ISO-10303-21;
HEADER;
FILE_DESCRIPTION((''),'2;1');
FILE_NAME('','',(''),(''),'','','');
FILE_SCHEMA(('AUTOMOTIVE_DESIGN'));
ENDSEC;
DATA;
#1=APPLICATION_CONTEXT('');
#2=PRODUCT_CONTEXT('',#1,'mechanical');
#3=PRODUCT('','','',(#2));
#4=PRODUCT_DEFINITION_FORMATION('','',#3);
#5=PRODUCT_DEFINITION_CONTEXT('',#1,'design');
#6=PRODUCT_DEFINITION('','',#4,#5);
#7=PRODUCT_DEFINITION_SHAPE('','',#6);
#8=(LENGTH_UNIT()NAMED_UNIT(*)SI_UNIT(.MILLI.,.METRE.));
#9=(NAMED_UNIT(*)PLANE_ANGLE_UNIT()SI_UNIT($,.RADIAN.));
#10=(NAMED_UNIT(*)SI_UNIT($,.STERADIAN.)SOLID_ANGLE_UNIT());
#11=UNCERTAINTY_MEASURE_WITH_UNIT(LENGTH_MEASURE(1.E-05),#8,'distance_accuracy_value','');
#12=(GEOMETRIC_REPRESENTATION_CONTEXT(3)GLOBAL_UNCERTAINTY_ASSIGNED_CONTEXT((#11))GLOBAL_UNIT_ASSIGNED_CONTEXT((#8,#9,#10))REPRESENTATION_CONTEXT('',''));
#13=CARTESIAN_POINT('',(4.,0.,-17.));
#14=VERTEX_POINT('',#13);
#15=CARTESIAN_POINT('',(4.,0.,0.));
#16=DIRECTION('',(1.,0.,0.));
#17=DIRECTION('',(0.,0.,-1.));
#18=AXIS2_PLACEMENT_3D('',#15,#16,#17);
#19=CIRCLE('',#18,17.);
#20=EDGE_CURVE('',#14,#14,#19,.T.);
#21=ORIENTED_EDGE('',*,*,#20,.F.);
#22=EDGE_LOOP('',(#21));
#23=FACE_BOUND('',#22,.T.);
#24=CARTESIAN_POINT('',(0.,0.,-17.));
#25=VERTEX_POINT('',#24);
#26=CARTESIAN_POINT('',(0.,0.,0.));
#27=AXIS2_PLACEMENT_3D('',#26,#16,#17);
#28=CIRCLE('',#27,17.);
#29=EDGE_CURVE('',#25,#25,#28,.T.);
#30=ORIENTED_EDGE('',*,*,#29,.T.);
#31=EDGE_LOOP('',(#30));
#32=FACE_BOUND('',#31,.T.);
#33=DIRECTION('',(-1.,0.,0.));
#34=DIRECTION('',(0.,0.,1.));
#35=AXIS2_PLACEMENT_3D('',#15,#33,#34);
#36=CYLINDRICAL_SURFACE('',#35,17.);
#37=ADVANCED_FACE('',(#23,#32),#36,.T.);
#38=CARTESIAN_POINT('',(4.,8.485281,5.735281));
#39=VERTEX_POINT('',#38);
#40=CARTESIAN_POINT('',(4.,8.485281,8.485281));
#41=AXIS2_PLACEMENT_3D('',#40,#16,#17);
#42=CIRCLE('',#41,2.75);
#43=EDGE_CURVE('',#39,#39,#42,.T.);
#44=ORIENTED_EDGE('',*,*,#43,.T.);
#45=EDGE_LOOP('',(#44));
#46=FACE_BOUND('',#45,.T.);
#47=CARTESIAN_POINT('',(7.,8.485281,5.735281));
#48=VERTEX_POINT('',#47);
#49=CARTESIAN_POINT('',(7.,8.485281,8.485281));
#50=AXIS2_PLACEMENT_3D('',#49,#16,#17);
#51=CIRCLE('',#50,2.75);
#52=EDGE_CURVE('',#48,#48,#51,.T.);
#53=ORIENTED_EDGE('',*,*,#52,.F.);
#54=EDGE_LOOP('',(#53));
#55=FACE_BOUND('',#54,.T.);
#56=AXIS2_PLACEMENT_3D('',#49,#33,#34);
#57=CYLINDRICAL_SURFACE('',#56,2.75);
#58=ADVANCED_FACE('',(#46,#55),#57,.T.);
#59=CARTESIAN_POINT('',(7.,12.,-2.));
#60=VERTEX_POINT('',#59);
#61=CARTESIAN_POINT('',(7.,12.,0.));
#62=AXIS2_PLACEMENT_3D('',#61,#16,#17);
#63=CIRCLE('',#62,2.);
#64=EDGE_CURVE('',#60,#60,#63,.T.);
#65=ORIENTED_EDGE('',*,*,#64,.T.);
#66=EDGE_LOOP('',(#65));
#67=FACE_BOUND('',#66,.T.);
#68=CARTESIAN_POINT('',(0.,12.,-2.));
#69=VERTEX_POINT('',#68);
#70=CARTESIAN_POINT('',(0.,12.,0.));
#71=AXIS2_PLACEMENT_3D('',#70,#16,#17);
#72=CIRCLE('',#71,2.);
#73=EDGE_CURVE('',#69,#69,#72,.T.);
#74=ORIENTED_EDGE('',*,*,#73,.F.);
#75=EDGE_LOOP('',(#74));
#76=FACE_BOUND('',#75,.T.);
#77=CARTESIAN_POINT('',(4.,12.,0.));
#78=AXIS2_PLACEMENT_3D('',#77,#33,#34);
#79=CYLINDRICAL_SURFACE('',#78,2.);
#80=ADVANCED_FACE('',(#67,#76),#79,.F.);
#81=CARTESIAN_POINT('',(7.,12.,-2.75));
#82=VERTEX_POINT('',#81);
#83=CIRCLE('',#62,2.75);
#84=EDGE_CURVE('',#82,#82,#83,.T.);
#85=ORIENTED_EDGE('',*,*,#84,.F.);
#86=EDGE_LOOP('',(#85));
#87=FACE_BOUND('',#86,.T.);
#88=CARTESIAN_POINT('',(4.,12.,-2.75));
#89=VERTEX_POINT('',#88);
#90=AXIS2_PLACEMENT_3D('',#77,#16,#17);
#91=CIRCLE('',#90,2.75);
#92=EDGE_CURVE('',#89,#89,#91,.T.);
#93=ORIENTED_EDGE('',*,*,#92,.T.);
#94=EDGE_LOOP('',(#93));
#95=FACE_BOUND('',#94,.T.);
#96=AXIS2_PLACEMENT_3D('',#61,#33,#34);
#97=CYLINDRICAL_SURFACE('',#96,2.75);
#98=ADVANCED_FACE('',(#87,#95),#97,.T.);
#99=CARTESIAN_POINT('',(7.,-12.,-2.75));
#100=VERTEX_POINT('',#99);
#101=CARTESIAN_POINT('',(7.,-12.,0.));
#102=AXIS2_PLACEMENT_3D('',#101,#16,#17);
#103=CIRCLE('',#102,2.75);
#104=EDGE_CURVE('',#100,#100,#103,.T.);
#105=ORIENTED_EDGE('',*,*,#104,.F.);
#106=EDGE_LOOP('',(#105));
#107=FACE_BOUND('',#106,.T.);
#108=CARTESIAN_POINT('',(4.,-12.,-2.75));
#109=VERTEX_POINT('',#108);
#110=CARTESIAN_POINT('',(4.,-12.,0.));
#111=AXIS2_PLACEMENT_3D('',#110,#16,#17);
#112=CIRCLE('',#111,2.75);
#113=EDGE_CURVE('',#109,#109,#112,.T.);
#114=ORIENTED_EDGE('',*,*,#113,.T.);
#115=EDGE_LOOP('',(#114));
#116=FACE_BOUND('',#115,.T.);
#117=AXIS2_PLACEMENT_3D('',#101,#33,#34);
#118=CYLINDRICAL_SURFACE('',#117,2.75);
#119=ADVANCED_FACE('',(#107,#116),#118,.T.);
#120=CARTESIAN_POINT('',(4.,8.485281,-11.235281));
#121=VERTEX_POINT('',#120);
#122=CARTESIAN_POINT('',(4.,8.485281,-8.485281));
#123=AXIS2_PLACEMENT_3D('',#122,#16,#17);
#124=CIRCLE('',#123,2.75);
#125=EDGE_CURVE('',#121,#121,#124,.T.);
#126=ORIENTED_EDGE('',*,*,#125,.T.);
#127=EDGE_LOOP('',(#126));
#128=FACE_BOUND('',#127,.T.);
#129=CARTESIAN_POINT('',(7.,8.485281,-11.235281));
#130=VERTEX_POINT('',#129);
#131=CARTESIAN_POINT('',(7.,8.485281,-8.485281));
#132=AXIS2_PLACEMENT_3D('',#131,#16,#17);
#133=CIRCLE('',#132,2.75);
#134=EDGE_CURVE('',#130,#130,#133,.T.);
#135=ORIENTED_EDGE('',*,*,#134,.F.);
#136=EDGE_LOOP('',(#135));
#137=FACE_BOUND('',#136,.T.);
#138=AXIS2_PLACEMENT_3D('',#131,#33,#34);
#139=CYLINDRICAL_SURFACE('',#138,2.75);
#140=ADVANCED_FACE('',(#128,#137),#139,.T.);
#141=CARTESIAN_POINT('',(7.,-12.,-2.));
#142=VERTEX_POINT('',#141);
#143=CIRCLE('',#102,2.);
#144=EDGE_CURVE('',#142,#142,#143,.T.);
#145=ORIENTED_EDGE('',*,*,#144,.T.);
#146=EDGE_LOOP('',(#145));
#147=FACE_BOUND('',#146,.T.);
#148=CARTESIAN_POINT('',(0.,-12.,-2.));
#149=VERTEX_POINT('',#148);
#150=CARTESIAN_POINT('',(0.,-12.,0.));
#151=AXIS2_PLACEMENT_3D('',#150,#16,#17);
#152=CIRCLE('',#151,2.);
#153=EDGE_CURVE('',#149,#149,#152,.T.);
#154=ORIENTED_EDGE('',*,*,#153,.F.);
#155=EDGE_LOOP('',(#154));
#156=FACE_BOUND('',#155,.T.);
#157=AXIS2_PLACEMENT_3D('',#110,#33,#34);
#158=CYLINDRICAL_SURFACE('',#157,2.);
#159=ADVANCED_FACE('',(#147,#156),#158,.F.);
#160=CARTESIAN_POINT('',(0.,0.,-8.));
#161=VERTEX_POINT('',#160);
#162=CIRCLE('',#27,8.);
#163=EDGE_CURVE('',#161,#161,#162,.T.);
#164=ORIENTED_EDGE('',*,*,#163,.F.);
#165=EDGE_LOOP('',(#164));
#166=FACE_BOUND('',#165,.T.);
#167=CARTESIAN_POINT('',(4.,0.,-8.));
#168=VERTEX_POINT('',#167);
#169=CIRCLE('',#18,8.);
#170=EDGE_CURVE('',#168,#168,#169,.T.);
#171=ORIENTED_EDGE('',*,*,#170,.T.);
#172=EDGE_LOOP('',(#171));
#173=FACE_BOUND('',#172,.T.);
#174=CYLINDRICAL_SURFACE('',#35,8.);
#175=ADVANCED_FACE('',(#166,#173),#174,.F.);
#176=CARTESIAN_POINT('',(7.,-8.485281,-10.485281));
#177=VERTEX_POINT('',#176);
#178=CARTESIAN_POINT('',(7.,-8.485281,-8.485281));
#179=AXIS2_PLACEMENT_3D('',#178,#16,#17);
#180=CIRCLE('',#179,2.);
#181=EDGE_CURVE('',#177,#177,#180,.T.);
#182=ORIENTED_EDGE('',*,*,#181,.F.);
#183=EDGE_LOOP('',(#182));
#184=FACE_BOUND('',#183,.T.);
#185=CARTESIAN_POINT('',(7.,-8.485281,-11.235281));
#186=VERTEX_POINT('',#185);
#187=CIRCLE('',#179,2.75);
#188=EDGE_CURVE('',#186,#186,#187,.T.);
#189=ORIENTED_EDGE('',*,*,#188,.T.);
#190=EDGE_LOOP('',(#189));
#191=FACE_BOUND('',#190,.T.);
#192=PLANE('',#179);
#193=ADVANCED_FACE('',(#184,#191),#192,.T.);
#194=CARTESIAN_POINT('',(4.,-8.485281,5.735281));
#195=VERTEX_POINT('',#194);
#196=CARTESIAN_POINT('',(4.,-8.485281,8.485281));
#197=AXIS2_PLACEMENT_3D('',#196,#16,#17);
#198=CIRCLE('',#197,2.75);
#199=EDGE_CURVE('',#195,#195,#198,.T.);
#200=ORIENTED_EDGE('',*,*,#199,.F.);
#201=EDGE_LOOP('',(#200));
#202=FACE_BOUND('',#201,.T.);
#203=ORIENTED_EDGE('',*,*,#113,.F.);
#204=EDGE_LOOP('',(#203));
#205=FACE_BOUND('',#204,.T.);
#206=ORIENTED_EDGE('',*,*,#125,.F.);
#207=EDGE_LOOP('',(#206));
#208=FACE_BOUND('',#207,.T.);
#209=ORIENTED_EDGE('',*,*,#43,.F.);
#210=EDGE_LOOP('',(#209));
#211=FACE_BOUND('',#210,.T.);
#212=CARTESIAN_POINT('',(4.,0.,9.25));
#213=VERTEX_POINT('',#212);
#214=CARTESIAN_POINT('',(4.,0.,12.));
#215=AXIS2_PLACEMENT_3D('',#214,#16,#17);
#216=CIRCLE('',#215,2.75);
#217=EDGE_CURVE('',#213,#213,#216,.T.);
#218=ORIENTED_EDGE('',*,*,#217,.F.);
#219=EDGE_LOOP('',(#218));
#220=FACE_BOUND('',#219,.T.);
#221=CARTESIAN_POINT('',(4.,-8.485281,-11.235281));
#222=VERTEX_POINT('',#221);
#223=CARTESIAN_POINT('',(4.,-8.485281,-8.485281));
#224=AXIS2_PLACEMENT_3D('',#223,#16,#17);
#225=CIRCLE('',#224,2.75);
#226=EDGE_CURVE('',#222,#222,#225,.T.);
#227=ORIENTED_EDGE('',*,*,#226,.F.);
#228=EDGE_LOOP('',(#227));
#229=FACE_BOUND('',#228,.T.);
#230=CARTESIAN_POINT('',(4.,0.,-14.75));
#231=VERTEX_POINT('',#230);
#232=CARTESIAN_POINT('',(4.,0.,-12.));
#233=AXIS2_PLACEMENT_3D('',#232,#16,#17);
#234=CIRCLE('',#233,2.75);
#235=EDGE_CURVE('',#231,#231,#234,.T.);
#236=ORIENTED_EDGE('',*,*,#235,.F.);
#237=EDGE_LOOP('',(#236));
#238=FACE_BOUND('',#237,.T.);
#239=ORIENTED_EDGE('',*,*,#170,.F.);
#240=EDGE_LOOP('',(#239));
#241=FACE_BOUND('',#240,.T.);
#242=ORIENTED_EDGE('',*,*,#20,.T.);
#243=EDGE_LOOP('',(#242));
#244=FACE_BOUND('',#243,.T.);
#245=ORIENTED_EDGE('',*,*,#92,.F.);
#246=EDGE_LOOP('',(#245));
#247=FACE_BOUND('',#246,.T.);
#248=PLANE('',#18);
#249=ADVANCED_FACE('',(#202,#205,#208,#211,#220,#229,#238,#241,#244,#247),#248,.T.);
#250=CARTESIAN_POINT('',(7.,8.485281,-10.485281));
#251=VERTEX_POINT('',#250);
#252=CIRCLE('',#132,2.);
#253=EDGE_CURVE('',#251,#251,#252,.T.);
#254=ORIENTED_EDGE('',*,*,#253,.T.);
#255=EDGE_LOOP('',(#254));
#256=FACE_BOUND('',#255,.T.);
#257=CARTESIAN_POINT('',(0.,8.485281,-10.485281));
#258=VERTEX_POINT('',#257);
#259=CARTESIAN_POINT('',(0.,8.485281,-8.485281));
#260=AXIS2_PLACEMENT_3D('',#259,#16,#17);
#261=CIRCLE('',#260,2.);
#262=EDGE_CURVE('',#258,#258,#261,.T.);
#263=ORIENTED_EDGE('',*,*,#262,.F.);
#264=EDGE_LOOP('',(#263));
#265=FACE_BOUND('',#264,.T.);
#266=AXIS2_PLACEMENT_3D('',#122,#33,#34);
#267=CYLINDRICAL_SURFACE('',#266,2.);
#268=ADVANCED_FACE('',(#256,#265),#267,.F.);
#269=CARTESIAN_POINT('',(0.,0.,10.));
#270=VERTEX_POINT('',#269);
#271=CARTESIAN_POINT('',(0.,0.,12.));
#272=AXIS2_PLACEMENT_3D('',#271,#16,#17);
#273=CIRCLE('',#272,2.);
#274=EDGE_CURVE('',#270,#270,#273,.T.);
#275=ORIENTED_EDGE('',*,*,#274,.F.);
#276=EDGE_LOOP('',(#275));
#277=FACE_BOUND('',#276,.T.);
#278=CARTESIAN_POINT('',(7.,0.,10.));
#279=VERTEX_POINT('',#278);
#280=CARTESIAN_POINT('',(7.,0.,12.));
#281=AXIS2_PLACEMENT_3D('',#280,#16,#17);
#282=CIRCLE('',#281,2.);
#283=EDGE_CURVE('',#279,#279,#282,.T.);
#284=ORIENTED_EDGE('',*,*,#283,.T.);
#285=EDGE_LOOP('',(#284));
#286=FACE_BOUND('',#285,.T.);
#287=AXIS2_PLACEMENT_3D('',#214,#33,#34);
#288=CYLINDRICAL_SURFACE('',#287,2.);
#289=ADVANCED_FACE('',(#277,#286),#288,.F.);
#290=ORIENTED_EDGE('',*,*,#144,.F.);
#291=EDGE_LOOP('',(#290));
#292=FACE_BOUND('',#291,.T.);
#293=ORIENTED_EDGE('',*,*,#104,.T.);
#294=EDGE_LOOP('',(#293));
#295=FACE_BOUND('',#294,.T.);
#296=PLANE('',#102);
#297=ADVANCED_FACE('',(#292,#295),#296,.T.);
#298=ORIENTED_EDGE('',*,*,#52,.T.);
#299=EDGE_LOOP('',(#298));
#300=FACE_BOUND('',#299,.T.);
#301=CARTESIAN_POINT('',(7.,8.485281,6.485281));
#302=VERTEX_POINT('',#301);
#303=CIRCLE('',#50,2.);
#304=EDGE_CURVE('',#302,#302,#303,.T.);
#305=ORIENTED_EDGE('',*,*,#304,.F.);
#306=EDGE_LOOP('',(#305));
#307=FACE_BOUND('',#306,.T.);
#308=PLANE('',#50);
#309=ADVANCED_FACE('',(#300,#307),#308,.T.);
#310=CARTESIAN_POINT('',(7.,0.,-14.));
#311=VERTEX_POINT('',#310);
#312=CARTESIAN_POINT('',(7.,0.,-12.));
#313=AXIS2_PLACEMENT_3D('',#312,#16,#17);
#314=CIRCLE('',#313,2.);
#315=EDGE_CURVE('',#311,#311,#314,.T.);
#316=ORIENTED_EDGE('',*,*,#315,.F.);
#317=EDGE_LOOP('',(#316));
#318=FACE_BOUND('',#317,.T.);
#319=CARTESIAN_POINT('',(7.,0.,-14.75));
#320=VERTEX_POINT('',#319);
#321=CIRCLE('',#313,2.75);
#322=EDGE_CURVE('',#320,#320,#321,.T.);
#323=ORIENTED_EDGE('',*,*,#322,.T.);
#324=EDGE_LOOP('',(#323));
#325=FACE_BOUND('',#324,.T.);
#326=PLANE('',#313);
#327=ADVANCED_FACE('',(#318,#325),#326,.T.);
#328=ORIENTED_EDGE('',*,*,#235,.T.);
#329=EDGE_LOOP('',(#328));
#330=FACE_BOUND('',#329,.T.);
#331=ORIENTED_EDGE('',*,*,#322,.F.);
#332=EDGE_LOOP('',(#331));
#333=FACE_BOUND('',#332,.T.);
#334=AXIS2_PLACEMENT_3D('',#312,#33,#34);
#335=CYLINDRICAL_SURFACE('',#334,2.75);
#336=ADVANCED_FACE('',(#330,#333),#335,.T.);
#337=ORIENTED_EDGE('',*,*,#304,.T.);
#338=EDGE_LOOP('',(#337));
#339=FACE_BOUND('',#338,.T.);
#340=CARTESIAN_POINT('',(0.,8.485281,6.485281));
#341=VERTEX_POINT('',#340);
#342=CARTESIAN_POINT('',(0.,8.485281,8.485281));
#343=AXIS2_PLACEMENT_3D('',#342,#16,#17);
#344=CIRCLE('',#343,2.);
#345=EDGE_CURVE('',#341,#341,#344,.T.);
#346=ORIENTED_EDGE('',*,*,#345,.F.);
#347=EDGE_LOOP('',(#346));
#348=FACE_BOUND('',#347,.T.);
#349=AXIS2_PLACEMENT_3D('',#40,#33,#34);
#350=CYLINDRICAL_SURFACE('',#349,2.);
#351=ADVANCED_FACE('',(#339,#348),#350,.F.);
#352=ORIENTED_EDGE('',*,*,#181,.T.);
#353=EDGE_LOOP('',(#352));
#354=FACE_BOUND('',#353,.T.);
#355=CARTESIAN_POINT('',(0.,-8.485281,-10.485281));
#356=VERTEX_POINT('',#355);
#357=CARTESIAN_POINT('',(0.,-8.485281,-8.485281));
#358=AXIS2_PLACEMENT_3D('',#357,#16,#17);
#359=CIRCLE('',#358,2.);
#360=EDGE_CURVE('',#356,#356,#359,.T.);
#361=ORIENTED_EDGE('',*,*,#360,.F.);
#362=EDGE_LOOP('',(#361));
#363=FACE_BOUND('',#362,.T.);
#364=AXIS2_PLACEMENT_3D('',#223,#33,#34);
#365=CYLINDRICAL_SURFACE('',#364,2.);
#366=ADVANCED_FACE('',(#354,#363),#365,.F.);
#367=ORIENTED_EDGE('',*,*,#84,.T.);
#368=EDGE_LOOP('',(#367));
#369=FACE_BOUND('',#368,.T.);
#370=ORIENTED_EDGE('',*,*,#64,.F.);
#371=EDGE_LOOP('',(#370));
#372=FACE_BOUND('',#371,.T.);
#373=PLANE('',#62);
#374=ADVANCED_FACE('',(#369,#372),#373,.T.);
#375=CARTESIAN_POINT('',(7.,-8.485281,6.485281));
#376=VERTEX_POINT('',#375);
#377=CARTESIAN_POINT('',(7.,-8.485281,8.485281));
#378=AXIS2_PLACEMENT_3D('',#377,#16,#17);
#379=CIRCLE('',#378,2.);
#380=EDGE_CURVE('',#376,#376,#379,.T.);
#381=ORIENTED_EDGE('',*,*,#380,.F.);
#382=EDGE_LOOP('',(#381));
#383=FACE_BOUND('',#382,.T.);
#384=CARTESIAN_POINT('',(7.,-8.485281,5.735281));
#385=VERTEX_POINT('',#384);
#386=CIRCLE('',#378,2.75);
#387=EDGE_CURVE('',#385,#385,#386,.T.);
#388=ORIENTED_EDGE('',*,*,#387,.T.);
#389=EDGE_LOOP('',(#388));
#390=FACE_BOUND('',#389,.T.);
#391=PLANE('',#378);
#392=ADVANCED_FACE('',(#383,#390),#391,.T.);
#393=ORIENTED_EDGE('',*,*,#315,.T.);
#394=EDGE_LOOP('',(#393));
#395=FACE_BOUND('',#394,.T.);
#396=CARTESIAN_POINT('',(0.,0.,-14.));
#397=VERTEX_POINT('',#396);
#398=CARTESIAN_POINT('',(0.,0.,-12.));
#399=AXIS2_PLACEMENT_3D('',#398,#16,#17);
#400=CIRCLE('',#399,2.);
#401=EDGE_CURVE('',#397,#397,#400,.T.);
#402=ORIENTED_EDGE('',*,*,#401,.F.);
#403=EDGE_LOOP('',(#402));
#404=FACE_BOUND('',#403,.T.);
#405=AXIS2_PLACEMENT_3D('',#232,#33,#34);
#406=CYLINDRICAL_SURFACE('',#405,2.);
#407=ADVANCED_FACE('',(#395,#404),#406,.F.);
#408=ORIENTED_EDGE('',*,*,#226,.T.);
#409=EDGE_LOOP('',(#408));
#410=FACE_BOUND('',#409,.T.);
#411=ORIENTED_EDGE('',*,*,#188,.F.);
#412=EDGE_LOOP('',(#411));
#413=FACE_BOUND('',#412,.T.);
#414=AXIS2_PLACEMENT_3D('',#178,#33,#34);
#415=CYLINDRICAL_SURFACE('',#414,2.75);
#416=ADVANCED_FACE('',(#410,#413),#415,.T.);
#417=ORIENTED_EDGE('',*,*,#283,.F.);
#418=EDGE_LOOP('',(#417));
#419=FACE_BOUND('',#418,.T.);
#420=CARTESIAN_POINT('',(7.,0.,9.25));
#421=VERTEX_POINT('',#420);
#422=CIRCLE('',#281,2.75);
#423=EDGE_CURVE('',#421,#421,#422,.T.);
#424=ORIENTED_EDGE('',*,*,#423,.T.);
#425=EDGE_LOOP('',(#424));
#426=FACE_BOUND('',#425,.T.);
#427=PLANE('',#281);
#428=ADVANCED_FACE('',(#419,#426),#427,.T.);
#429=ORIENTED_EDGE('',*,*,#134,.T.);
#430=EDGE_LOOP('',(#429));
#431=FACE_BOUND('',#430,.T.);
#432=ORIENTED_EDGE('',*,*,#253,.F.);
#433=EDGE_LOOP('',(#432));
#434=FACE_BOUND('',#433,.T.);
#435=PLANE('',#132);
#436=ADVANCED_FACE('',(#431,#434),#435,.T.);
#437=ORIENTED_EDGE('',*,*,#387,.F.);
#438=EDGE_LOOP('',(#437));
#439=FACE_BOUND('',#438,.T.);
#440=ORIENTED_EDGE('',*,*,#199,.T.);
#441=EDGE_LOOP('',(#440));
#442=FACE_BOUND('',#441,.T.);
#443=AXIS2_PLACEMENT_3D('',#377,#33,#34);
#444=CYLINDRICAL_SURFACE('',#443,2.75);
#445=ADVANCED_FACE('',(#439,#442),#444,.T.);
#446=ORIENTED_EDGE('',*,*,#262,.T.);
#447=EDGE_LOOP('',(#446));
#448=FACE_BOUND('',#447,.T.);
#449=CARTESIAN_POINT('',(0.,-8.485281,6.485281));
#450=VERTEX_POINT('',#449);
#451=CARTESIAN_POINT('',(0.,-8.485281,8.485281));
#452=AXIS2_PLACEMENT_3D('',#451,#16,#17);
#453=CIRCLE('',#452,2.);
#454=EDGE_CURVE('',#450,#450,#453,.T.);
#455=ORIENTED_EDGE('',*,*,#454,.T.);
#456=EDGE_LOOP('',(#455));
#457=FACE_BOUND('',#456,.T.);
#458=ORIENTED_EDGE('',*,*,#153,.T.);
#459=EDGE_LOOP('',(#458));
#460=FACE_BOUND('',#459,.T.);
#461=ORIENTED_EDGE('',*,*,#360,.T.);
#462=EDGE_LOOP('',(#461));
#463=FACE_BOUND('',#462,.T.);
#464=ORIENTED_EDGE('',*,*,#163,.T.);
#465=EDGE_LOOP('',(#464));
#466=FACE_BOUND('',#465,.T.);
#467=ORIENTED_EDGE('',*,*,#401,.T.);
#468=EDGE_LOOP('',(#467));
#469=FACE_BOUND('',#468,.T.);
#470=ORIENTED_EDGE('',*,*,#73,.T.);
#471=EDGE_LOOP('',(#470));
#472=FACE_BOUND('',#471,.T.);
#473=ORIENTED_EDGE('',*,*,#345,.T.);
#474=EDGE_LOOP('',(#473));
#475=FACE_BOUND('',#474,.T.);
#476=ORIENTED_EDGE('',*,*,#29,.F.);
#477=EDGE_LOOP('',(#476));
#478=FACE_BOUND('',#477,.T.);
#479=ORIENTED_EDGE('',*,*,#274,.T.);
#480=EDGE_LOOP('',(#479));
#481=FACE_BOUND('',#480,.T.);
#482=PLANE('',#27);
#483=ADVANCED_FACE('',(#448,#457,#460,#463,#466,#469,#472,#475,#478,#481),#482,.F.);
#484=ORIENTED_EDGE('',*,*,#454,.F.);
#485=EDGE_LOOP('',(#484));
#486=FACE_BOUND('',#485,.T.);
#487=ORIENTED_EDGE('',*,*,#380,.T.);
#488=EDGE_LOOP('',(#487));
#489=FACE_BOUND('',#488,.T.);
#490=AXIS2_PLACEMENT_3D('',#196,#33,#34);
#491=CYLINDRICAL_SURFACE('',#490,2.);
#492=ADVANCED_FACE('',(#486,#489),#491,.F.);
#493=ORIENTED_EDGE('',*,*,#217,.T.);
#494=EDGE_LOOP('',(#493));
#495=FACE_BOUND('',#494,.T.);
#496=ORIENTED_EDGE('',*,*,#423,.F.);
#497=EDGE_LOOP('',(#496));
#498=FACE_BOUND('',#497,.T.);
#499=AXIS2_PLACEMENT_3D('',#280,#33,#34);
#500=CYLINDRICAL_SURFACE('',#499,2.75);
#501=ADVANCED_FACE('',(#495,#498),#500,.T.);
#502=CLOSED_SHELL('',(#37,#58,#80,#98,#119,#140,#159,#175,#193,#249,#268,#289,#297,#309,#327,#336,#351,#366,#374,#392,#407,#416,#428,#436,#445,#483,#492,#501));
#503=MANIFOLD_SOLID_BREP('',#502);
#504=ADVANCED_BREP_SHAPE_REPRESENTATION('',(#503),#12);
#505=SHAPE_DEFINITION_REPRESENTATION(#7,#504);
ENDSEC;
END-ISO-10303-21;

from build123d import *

# Parameters (mm, degrees)
SKETCH1_R           = 17
SKETCH1_R_2         = 2
SKETCH1_R_3         = 8
BOSS_EXTRUDE1_DEPTH = 4
SKETCH2_R           = 2.75
SKETCH2_R_2         = 2
BOSS_EXTRUDE2_DEPTH = 3


with BuildPart() as part:
    # Sketch1 → Boss-Extrude1 (new body)
    with BuildSketch(Plane(origin=(0, 0, 0), x_dir=(0, 0, -1), z_dir=(1, 0, 0))):
        Circle(SKETCH1_R)
        with Locations((0, 12)):
            Circle(SKETCH1_R_2, mode=Mode.SUBTRACT)
        with Locations((8.485281374, 8.485281374)):
            Circle(SKETCH1_R_2, mode=Mode.SUBTRACT)
        with Locations((12, 0)):
            Circle(SKETCH1_R_2, mode=Mode.SUBTRACT)
        with Locations((8.485281374, -8.485281374)):
            Circle(SKETCH1_R_2, mode=Mode.SUBTRACT)
        with Locations((0, -12)):
            Circle(SKETCH1_R_2, mode=Mode.SUBTRACT)
        with Locations((-8.485281374, -8.485281374)):
            Circle(SKETCH1_R_2, mode=Mode.SUBTRACT)
        with Locations((-12, 0)):
            Circle(SKETCH1_R_2, mode=Mode.SUBTRACT)
        with Locations((-8.485281374, 8.485281374)):
            Circle(SKETCH1_R_2, mode=Mode.SUBTRACT)
        Circle(SKETCH1_R_3, mode=Mode.SUBTRACT)
    extrude(amount=BOSS_EXTRUDE1_DEPTH)

    # Sketch2 → Boss-Extrude2 (add)
    # profile 1 of 8: a face of its own
    with BuildSketch(Plane(origin=(4, 0, 0), x_dir=(0, 0, -1), z_dir=(1, 0, 0))):
        with Locations((8.485281374, 8.485281374)):
            Circle(SKETCH2_R)
        with Locations((8.485281374, 8.485281374)):
            Circle(SKETCH2_R_2, mode=Mode.SUBTRACT)
    # profile 2 of 8: a face of its own
    with BuildSketch(Plane(origin=(4, 0, 0), x_dir=(0, 0, -1), z_dir=(1, 0, 0))):
        with Locations((12, 0)):
            Circle(SKETCH2_R)
        with Locations((12, 0)):
            Circle(SKETCH2_R_2, mode=Mode.SUBTRACT)
    # profile 3 of 8: a face of its own
    with BuildSketch(Plane(origin=(4, 0, 0), x_dir=(0, 0, -1), z_dir=(1, 0, 0))):
        with Locations((8.485281374, -8.485281374)):
            Circle(SKETCH2_R)
        with Locations((8.485281374, -8.485281374)):
            Circle(SKETCH2_R_2, mode=Mode.SUBTRACT)
    # profile 4 of 8: a face of its own
    with BuildSketch(Plane(origin=(4, 0, 0), x_dir=(0, 0, -1), z_dir=(1, 0, 0))):
        with Locations((0, -12)):
            Circle(SKETCH2_R)
        with Locations((0, -12)):
            Circle(SKETCH2_R_2, mode=Mode.SUBTRACT)
    # profile 5 of 8: a face of its own
    with BuildSketch(Plane(origin=(4, 0, 0), x_dir=(0, 0, -1), z_dir=(1, 0, 0))):
        with Locations((-8.485281374, -8.485281374)):
            Circle(SKETCH2_R)
        with Locations((-8.485281374, -8.485281374)):
            Circle(SKETCH2_R_2, mode=Mode.SUBTRACT)
    # profile 6 of 8: a face of its own
    with BuildSketch(Plane(origin=(4, 0, 0), x_dir=(0, 0, -1), z_dir=(1, 0, 0))):
        with Locations((-12, 0)):
            Circle(SKETCH2_R)
        with Locations((-12, 0)):
            Circle(SKETCH2_R_2, mode=Mode.SUBTRACT)
    # profile 7 of 8: a face of its own
    with BuildSketch(Plane(origin=(4, 0, 0), x_dir=(0, 0, -1), z_dir=(1, 0, 0))):
        with Locations((-8.485281374, 8.485281374)):
            Circle(SKETCH2_R)
        with Locations((-8.485281374, 8.485281374)):
            Circle(SKETCH2_R_2, mode=Mode.SUBTRACT)
    # profile 8 of 8: a face of its own
    with BuildSketch(Plane(origin=(4, 0, 0), x_dir=(0, 0, -1), z_dir=(1, 0, 0))):
        with Locations((0, 12)):
            Circle(SKETCH2_R)
        with Locations((0, 12)):
            Circle(SKETCH2_R_2, mode=Mode.SUBTRACT)
    extrude(amount=BOSS_EXTRUDE2_DEPTH)


solid = part.part
